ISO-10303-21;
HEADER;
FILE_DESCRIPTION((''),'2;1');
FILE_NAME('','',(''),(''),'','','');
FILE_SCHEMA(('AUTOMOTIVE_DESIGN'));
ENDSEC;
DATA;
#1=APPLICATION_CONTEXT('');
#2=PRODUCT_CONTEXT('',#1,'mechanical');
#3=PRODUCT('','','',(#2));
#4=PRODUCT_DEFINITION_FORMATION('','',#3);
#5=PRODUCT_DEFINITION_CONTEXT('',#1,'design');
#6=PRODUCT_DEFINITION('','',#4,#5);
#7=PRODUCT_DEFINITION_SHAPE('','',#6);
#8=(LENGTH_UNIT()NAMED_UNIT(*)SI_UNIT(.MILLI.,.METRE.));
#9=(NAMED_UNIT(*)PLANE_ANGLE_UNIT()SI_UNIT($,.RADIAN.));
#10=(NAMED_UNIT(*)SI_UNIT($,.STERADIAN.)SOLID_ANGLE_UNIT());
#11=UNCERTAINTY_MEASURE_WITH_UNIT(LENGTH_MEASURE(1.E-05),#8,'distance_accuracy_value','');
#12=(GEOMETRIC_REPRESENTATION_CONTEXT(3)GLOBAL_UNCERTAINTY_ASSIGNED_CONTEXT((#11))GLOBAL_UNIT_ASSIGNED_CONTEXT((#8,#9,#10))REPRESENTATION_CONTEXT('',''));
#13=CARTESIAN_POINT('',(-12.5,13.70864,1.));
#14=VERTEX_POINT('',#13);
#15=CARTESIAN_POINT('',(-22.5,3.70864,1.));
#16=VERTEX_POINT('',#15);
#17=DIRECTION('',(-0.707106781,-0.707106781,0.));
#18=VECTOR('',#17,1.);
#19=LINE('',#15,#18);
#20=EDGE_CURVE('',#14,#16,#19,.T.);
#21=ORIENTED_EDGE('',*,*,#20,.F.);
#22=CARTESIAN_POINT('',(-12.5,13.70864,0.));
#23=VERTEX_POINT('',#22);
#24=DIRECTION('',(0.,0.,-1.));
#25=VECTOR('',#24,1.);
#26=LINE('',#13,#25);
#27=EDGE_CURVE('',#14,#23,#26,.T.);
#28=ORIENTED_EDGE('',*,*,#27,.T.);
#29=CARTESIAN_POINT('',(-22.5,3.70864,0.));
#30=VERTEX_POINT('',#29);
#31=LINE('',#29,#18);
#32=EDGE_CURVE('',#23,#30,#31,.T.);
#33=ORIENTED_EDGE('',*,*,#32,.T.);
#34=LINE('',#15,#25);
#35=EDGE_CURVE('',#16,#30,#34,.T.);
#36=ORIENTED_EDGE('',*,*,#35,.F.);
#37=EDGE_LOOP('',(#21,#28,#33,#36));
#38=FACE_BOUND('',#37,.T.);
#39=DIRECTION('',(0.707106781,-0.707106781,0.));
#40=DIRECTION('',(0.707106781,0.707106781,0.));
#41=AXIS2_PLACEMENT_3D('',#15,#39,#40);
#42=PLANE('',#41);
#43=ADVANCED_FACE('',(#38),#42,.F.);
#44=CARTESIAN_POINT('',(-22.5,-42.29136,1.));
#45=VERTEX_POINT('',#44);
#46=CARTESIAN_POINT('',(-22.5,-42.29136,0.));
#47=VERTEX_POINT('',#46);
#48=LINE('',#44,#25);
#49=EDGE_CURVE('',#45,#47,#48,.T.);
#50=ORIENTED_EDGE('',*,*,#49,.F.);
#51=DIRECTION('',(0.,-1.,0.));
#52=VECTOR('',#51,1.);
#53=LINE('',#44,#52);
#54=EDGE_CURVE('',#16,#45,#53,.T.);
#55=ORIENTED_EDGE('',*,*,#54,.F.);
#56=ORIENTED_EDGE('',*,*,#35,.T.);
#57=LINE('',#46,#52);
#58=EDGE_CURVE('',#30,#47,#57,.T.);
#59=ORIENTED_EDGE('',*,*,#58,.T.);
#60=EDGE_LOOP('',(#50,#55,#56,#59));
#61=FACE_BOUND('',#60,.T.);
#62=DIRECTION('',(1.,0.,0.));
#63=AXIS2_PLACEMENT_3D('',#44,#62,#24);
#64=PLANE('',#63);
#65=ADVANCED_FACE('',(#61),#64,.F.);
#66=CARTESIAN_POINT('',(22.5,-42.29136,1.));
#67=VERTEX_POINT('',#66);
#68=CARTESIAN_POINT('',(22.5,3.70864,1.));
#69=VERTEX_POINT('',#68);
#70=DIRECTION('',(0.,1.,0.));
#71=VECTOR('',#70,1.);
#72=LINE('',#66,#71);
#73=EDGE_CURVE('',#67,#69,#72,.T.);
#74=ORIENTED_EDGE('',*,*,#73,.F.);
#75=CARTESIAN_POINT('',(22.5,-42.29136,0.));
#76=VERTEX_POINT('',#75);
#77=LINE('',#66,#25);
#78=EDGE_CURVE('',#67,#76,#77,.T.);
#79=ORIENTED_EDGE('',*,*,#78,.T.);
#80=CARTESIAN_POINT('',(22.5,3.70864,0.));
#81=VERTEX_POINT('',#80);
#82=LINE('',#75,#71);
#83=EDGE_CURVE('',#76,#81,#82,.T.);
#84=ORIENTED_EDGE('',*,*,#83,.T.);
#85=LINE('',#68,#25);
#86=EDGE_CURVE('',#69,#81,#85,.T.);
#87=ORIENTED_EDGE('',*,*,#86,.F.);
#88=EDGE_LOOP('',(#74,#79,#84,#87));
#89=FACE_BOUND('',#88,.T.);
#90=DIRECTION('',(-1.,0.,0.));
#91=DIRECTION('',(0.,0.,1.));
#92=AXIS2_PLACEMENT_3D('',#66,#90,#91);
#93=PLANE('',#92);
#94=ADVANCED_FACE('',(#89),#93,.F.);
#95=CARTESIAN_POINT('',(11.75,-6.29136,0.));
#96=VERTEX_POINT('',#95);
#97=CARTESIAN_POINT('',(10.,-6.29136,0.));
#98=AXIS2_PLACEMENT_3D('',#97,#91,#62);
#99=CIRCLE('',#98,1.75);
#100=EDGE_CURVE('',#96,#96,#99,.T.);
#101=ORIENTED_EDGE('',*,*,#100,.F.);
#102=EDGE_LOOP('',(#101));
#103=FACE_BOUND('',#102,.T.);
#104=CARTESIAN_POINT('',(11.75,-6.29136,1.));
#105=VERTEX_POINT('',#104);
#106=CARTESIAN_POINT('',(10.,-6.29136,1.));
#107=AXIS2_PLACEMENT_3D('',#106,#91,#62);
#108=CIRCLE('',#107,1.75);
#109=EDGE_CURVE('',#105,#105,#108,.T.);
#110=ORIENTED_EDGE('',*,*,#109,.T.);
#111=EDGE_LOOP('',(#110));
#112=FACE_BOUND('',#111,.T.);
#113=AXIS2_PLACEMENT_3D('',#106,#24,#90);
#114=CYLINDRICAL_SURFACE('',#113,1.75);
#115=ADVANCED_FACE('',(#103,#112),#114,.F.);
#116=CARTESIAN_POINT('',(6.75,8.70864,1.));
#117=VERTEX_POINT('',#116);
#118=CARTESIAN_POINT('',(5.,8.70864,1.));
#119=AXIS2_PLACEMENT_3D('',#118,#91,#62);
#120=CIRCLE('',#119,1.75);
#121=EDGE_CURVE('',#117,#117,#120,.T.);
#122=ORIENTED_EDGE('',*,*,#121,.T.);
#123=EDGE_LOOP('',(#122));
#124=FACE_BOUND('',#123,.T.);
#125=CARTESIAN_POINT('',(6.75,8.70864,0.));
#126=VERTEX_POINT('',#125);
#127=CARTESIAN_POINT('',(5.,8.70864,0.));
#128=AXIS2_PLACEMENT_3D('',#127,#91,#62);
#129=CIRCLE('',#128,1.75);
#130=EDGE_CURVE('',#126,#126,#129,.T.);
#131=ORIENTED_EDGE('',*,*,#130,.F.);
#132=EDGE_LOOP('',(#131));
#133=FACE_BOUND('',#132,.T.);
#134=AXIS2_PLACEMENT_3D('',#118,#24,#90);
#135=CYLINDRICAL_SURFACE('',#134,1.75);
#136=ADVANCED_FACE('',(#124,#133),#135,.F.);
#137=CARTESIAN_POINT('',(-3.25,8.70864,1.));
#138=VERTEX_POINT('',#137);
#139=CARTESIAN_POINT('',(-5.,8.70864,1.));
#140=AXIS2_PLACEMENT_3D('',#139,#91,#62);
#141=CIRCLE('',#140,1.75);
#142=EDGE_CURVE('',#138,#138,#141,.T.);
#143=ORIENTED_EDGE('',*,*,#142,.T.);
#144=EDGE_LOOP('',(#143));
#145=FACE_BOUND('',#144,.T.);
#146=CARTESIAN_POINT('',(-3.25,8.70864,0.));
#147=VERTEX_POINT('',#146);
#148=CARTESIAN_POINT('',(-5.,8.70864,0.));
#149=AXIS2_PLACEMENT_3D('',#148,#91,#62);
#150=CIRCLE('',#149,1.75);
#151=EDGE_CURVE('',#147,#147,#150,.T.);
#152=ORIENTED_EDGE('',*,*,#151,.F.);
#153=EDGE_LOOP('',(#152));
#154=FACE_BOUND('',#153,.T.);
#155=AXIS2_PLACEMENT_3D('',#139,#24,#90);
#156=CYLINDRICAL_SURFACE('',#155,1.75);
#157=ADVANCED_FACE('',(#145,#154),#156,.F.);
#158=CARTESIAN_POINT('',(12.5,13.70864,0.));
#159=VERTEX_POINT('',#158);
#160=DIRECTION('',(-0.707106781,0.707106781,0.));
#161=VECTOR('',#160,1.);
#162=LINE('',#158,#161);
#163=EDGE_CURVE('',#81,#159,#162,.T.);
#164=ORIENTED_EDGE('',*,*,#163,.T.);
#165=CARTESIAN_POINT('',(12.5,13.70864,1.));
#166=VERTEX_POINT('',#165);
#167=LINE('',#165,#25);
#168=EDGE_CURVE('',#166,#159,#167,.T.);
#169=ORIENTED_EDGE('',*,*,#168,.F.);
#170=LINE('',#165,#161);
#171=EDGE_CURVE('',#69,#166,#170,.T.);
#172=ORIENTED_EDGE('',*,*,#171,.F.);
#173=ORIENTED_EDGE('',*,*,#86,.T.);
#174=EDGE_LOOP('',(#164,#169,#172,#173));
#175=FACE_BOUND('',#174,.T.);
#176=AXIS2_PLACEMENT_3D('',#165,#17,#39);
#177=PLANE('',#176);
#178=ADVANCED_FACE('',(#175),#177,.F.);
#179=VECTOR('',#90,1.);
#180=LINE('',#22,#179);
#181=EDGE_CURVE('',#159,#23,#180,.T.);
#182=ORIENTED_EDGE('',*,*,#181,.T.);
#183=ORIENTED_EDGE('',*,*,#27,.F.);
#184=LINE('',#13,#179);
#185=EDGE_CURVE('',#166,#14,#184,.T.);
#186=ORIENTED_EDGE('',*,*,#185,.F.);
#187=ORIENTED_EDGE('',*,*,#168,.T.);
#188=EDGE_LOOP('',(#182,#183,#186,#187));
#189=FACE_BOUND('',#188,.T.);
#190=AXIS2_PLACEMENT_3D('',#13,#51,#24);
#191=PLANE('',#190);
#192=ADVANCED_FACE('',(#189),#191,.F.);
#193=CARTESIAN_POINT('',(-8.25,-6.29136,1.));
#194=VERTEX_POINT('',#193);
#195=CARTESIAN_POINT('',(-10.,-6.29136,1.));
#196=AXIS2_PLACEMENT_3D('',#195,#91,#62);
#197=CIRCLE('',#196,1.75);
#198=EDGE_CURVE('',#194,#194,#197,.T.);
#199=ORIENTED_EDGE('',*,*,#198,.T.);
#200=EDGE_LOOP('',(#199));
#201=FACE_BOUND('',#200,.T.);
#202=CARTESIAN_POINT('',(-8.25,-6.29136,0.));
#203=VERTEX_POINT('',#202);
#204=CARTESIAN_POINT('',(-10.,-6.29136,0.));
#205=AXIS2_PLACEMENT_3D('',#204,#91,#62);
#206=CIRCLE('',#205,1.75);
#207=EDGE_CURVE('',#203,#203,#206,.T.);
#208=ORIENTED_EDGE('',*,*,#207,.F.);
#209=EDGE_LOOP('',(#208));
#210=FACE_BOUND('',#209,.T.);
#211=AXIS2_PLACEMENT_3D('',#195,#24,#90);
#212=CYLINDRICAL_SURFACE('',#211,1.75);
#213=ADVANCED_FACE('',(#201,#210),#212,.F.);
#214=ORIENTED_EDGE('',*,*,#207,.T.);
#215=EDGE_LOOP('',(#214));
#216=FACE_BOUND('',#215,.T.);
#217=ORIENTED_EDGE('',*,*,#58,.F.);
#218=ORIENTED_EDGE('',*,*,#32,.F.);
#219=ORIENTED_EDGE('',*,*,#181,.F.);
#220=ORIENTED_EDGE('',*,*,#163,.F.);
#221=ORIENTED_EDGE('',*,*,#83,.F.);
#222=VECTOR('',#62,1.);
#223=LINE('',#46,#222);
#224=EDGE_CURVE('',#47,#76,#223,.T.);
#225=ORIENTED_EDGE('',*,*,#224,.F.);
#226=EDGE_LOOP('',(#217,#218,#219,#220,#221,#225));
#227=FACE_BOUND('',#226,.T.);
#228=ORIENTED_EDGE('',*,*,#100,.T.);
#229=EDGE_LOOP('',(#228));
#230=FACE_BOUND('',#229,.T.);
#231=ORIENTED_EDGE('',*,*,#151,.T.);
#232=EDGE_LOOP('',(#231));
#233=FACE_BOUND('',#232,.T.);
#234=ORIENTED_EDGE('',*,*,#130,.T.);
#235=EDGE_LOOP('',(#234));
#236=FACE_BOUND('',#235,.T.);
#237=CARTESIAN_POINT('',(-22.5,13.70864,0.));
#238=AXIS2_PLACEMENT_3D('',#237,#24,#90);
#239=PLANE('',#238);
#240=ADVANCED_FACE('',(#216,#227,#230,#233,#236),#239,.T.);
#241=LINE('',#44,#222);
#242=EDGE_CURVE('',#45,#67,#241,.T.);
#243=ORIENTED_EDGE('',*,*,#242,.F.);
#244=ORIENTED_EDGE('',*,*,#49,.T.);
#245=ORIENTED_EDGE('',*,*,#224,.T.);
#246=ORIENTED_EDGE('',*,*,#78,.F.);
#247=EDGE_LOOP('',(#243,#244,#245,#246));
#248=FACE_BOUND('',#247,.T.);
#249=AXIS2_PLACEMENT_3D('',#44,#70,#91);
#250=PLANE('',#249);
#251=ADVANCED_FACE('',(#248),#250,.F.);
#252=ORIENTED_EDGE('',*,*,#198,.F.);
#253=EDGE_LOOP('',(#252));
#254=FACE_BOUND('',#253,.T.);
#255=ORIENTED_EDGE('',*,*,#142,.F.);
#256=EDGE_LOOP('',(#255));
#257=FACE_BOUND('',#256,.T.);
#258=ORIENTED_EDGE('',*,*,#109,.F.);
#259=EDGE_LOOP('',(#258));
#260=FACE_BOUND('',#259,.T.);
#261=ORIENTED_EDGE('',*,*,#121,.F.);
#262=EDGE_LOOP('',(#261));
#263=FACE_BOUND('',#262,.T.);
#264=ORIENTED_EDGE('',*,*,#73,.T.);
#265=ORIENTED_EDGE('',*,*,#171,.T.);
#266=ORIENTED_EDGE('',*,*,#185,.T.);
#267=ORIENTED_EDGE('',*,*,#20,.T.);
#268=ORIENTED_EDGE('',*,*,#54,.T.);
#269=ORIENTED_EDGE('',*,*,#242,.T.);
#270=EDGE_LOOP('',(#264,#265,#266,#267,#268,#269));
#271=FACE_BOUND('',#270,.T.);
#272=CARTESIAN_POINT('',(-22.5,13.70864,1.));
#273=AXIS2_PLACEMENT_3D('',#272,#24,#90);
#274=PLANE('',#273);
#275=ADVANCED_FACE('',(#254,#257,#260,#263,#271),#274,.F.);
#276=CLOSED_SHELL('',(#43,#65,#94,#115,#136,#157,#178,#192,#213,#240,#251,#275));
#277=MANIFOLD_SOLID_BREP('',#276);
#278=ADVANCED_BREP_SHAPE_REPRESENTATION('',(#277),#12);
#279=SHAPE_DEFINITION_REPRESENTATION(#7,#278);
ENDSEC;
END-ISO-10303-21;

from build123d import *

# Parameters (mm, degrees)
SCHIZZO1_R                   = 1.75
ESTRUSIONE_ESTRUSIONE1_DEPTH = 1


with BuildPart() as part:
    # Schizzo1 → Estrusione-Estrusione1 (new body)
    with BuildSketch(Plane.XY):
        Polygon((-22.5, -42.291359792), (22.5, -42.291359792), (22.5, 3.708640208), (12.5, 13.708640208), (-12.5, 13.708640208), (-22.5, 3.708640208), align=None)
        with Locations((5, 8.708640208)):
            Circle(SCHIZZO1_R, mode=Mode.SUBTRACT)
        with Locations((-5, 8.708640208)):
            Circle(SCHIZZO1_R, mode=Mode.SUBTRACT)
        with Locations((10, -6.291359792)):
            Circle(SCHIZZO1_R, mode=Mode.SUBTRACT)
        with Locations((-10, -6.291359792)):
            Circle(SCHIZZO1_R, mode=Mode.SUBTRACT)
    extrude(amount=ESTRUSIONE_ESTRUSIONE1_DEPTH)


solid = part.part
